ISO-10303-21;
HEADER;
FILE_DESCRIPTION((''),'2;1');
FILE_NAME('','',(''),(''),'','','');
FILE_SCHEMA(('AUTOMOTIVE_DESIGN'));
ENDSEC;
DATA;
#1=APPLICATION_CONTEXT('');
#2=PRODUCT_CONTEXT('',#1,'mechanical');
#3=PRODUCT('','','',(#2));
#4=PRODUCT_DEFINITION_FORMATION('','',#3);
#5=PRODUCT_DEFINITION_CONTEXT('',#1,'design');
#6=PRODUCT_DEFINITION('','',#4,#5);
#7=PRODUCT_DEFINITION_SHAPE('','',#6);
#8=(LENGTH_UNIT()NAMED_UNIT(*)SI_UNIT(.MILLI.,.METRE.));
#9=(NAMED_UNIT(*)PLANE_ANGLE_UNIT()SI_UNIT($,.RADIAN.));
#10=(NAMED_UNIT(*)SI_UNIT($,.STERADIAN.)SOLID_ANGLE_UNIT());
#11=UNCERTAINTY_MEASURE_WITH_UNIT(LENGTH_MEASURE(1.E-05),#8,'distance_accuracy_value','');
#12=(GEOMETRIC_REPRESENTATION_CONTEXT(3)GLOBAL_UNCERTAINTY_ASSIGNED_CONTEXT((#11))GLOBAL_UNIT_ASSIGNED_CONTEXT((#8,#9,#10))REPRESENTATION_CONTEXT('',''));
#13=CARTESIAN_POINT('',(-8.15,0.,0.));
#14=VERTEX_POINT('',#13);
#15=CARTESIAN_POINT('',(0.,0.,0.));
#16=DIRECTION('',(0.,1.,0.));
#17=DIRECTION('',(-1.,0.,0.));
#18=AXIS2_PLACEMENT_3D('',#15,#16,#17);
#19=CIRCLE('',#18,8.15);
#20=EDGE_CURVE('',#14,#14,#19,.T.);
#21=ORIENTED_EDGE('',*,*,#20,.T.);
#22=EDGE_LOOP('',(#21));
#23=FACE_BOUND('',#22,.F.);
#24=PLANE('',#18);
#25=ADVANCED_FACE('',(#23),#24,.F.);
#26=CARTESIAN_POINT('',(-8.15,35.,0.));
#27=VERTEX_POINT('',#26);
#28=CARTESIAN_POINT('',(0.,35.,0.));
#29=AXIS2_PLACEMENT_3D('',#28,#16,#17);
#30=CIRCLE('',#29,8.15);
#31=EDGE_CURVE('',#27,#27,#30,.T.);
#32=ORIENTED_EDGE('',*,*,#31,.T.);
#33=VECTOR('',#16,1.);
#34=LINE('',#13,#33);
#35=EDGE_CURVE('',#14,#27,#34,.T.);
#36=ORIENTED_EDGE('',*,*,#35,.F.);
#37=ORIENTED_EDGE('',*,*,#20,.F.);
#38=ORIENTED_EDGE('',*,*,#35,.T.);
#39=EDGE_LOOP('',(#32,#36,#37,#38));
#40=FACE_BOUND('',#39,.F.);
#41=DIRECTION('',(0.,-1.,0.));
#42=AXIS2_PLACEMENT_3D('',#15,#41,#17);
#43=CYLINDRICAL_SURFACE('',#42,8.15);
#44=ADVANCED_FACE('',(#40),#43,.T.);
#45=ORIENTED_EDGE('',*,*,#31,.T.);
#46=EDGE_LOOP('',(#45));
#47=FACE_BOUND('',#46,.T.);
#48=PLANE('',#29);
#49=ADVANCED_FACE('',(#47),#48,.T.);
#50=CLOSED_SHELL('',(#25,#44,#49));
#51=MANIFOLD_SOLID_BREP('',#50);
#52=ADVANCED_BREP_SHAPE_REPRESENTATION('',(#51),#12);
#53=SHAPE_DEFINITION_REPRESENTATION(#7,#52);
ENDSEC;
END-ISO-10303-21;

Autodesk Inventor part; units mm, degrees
ref_plane "YZ Plane" through (0, 0, 0) normal (1, 0, 0) x (0, 1, 0)
ref_plane "XZ Plane" through (0, 0, 0) normal (0, 1, 0) x (-1, 0, 0)
ref_plane "XY Plane" through (0, 0, 0) normal (0, 0, 1) x (1, 0, 0)
sketch "Sketch1" plane through (0, 0, 0) normal (0, 1, 0) x (-1, 0, 0)
  circle A0 centre (0, 0) radius 8.15
  dimension "d0" = 16.3
extrude "Extrusion1" add sketch "Sketch1" along normal blind 35
properties part number "Cylinder"
